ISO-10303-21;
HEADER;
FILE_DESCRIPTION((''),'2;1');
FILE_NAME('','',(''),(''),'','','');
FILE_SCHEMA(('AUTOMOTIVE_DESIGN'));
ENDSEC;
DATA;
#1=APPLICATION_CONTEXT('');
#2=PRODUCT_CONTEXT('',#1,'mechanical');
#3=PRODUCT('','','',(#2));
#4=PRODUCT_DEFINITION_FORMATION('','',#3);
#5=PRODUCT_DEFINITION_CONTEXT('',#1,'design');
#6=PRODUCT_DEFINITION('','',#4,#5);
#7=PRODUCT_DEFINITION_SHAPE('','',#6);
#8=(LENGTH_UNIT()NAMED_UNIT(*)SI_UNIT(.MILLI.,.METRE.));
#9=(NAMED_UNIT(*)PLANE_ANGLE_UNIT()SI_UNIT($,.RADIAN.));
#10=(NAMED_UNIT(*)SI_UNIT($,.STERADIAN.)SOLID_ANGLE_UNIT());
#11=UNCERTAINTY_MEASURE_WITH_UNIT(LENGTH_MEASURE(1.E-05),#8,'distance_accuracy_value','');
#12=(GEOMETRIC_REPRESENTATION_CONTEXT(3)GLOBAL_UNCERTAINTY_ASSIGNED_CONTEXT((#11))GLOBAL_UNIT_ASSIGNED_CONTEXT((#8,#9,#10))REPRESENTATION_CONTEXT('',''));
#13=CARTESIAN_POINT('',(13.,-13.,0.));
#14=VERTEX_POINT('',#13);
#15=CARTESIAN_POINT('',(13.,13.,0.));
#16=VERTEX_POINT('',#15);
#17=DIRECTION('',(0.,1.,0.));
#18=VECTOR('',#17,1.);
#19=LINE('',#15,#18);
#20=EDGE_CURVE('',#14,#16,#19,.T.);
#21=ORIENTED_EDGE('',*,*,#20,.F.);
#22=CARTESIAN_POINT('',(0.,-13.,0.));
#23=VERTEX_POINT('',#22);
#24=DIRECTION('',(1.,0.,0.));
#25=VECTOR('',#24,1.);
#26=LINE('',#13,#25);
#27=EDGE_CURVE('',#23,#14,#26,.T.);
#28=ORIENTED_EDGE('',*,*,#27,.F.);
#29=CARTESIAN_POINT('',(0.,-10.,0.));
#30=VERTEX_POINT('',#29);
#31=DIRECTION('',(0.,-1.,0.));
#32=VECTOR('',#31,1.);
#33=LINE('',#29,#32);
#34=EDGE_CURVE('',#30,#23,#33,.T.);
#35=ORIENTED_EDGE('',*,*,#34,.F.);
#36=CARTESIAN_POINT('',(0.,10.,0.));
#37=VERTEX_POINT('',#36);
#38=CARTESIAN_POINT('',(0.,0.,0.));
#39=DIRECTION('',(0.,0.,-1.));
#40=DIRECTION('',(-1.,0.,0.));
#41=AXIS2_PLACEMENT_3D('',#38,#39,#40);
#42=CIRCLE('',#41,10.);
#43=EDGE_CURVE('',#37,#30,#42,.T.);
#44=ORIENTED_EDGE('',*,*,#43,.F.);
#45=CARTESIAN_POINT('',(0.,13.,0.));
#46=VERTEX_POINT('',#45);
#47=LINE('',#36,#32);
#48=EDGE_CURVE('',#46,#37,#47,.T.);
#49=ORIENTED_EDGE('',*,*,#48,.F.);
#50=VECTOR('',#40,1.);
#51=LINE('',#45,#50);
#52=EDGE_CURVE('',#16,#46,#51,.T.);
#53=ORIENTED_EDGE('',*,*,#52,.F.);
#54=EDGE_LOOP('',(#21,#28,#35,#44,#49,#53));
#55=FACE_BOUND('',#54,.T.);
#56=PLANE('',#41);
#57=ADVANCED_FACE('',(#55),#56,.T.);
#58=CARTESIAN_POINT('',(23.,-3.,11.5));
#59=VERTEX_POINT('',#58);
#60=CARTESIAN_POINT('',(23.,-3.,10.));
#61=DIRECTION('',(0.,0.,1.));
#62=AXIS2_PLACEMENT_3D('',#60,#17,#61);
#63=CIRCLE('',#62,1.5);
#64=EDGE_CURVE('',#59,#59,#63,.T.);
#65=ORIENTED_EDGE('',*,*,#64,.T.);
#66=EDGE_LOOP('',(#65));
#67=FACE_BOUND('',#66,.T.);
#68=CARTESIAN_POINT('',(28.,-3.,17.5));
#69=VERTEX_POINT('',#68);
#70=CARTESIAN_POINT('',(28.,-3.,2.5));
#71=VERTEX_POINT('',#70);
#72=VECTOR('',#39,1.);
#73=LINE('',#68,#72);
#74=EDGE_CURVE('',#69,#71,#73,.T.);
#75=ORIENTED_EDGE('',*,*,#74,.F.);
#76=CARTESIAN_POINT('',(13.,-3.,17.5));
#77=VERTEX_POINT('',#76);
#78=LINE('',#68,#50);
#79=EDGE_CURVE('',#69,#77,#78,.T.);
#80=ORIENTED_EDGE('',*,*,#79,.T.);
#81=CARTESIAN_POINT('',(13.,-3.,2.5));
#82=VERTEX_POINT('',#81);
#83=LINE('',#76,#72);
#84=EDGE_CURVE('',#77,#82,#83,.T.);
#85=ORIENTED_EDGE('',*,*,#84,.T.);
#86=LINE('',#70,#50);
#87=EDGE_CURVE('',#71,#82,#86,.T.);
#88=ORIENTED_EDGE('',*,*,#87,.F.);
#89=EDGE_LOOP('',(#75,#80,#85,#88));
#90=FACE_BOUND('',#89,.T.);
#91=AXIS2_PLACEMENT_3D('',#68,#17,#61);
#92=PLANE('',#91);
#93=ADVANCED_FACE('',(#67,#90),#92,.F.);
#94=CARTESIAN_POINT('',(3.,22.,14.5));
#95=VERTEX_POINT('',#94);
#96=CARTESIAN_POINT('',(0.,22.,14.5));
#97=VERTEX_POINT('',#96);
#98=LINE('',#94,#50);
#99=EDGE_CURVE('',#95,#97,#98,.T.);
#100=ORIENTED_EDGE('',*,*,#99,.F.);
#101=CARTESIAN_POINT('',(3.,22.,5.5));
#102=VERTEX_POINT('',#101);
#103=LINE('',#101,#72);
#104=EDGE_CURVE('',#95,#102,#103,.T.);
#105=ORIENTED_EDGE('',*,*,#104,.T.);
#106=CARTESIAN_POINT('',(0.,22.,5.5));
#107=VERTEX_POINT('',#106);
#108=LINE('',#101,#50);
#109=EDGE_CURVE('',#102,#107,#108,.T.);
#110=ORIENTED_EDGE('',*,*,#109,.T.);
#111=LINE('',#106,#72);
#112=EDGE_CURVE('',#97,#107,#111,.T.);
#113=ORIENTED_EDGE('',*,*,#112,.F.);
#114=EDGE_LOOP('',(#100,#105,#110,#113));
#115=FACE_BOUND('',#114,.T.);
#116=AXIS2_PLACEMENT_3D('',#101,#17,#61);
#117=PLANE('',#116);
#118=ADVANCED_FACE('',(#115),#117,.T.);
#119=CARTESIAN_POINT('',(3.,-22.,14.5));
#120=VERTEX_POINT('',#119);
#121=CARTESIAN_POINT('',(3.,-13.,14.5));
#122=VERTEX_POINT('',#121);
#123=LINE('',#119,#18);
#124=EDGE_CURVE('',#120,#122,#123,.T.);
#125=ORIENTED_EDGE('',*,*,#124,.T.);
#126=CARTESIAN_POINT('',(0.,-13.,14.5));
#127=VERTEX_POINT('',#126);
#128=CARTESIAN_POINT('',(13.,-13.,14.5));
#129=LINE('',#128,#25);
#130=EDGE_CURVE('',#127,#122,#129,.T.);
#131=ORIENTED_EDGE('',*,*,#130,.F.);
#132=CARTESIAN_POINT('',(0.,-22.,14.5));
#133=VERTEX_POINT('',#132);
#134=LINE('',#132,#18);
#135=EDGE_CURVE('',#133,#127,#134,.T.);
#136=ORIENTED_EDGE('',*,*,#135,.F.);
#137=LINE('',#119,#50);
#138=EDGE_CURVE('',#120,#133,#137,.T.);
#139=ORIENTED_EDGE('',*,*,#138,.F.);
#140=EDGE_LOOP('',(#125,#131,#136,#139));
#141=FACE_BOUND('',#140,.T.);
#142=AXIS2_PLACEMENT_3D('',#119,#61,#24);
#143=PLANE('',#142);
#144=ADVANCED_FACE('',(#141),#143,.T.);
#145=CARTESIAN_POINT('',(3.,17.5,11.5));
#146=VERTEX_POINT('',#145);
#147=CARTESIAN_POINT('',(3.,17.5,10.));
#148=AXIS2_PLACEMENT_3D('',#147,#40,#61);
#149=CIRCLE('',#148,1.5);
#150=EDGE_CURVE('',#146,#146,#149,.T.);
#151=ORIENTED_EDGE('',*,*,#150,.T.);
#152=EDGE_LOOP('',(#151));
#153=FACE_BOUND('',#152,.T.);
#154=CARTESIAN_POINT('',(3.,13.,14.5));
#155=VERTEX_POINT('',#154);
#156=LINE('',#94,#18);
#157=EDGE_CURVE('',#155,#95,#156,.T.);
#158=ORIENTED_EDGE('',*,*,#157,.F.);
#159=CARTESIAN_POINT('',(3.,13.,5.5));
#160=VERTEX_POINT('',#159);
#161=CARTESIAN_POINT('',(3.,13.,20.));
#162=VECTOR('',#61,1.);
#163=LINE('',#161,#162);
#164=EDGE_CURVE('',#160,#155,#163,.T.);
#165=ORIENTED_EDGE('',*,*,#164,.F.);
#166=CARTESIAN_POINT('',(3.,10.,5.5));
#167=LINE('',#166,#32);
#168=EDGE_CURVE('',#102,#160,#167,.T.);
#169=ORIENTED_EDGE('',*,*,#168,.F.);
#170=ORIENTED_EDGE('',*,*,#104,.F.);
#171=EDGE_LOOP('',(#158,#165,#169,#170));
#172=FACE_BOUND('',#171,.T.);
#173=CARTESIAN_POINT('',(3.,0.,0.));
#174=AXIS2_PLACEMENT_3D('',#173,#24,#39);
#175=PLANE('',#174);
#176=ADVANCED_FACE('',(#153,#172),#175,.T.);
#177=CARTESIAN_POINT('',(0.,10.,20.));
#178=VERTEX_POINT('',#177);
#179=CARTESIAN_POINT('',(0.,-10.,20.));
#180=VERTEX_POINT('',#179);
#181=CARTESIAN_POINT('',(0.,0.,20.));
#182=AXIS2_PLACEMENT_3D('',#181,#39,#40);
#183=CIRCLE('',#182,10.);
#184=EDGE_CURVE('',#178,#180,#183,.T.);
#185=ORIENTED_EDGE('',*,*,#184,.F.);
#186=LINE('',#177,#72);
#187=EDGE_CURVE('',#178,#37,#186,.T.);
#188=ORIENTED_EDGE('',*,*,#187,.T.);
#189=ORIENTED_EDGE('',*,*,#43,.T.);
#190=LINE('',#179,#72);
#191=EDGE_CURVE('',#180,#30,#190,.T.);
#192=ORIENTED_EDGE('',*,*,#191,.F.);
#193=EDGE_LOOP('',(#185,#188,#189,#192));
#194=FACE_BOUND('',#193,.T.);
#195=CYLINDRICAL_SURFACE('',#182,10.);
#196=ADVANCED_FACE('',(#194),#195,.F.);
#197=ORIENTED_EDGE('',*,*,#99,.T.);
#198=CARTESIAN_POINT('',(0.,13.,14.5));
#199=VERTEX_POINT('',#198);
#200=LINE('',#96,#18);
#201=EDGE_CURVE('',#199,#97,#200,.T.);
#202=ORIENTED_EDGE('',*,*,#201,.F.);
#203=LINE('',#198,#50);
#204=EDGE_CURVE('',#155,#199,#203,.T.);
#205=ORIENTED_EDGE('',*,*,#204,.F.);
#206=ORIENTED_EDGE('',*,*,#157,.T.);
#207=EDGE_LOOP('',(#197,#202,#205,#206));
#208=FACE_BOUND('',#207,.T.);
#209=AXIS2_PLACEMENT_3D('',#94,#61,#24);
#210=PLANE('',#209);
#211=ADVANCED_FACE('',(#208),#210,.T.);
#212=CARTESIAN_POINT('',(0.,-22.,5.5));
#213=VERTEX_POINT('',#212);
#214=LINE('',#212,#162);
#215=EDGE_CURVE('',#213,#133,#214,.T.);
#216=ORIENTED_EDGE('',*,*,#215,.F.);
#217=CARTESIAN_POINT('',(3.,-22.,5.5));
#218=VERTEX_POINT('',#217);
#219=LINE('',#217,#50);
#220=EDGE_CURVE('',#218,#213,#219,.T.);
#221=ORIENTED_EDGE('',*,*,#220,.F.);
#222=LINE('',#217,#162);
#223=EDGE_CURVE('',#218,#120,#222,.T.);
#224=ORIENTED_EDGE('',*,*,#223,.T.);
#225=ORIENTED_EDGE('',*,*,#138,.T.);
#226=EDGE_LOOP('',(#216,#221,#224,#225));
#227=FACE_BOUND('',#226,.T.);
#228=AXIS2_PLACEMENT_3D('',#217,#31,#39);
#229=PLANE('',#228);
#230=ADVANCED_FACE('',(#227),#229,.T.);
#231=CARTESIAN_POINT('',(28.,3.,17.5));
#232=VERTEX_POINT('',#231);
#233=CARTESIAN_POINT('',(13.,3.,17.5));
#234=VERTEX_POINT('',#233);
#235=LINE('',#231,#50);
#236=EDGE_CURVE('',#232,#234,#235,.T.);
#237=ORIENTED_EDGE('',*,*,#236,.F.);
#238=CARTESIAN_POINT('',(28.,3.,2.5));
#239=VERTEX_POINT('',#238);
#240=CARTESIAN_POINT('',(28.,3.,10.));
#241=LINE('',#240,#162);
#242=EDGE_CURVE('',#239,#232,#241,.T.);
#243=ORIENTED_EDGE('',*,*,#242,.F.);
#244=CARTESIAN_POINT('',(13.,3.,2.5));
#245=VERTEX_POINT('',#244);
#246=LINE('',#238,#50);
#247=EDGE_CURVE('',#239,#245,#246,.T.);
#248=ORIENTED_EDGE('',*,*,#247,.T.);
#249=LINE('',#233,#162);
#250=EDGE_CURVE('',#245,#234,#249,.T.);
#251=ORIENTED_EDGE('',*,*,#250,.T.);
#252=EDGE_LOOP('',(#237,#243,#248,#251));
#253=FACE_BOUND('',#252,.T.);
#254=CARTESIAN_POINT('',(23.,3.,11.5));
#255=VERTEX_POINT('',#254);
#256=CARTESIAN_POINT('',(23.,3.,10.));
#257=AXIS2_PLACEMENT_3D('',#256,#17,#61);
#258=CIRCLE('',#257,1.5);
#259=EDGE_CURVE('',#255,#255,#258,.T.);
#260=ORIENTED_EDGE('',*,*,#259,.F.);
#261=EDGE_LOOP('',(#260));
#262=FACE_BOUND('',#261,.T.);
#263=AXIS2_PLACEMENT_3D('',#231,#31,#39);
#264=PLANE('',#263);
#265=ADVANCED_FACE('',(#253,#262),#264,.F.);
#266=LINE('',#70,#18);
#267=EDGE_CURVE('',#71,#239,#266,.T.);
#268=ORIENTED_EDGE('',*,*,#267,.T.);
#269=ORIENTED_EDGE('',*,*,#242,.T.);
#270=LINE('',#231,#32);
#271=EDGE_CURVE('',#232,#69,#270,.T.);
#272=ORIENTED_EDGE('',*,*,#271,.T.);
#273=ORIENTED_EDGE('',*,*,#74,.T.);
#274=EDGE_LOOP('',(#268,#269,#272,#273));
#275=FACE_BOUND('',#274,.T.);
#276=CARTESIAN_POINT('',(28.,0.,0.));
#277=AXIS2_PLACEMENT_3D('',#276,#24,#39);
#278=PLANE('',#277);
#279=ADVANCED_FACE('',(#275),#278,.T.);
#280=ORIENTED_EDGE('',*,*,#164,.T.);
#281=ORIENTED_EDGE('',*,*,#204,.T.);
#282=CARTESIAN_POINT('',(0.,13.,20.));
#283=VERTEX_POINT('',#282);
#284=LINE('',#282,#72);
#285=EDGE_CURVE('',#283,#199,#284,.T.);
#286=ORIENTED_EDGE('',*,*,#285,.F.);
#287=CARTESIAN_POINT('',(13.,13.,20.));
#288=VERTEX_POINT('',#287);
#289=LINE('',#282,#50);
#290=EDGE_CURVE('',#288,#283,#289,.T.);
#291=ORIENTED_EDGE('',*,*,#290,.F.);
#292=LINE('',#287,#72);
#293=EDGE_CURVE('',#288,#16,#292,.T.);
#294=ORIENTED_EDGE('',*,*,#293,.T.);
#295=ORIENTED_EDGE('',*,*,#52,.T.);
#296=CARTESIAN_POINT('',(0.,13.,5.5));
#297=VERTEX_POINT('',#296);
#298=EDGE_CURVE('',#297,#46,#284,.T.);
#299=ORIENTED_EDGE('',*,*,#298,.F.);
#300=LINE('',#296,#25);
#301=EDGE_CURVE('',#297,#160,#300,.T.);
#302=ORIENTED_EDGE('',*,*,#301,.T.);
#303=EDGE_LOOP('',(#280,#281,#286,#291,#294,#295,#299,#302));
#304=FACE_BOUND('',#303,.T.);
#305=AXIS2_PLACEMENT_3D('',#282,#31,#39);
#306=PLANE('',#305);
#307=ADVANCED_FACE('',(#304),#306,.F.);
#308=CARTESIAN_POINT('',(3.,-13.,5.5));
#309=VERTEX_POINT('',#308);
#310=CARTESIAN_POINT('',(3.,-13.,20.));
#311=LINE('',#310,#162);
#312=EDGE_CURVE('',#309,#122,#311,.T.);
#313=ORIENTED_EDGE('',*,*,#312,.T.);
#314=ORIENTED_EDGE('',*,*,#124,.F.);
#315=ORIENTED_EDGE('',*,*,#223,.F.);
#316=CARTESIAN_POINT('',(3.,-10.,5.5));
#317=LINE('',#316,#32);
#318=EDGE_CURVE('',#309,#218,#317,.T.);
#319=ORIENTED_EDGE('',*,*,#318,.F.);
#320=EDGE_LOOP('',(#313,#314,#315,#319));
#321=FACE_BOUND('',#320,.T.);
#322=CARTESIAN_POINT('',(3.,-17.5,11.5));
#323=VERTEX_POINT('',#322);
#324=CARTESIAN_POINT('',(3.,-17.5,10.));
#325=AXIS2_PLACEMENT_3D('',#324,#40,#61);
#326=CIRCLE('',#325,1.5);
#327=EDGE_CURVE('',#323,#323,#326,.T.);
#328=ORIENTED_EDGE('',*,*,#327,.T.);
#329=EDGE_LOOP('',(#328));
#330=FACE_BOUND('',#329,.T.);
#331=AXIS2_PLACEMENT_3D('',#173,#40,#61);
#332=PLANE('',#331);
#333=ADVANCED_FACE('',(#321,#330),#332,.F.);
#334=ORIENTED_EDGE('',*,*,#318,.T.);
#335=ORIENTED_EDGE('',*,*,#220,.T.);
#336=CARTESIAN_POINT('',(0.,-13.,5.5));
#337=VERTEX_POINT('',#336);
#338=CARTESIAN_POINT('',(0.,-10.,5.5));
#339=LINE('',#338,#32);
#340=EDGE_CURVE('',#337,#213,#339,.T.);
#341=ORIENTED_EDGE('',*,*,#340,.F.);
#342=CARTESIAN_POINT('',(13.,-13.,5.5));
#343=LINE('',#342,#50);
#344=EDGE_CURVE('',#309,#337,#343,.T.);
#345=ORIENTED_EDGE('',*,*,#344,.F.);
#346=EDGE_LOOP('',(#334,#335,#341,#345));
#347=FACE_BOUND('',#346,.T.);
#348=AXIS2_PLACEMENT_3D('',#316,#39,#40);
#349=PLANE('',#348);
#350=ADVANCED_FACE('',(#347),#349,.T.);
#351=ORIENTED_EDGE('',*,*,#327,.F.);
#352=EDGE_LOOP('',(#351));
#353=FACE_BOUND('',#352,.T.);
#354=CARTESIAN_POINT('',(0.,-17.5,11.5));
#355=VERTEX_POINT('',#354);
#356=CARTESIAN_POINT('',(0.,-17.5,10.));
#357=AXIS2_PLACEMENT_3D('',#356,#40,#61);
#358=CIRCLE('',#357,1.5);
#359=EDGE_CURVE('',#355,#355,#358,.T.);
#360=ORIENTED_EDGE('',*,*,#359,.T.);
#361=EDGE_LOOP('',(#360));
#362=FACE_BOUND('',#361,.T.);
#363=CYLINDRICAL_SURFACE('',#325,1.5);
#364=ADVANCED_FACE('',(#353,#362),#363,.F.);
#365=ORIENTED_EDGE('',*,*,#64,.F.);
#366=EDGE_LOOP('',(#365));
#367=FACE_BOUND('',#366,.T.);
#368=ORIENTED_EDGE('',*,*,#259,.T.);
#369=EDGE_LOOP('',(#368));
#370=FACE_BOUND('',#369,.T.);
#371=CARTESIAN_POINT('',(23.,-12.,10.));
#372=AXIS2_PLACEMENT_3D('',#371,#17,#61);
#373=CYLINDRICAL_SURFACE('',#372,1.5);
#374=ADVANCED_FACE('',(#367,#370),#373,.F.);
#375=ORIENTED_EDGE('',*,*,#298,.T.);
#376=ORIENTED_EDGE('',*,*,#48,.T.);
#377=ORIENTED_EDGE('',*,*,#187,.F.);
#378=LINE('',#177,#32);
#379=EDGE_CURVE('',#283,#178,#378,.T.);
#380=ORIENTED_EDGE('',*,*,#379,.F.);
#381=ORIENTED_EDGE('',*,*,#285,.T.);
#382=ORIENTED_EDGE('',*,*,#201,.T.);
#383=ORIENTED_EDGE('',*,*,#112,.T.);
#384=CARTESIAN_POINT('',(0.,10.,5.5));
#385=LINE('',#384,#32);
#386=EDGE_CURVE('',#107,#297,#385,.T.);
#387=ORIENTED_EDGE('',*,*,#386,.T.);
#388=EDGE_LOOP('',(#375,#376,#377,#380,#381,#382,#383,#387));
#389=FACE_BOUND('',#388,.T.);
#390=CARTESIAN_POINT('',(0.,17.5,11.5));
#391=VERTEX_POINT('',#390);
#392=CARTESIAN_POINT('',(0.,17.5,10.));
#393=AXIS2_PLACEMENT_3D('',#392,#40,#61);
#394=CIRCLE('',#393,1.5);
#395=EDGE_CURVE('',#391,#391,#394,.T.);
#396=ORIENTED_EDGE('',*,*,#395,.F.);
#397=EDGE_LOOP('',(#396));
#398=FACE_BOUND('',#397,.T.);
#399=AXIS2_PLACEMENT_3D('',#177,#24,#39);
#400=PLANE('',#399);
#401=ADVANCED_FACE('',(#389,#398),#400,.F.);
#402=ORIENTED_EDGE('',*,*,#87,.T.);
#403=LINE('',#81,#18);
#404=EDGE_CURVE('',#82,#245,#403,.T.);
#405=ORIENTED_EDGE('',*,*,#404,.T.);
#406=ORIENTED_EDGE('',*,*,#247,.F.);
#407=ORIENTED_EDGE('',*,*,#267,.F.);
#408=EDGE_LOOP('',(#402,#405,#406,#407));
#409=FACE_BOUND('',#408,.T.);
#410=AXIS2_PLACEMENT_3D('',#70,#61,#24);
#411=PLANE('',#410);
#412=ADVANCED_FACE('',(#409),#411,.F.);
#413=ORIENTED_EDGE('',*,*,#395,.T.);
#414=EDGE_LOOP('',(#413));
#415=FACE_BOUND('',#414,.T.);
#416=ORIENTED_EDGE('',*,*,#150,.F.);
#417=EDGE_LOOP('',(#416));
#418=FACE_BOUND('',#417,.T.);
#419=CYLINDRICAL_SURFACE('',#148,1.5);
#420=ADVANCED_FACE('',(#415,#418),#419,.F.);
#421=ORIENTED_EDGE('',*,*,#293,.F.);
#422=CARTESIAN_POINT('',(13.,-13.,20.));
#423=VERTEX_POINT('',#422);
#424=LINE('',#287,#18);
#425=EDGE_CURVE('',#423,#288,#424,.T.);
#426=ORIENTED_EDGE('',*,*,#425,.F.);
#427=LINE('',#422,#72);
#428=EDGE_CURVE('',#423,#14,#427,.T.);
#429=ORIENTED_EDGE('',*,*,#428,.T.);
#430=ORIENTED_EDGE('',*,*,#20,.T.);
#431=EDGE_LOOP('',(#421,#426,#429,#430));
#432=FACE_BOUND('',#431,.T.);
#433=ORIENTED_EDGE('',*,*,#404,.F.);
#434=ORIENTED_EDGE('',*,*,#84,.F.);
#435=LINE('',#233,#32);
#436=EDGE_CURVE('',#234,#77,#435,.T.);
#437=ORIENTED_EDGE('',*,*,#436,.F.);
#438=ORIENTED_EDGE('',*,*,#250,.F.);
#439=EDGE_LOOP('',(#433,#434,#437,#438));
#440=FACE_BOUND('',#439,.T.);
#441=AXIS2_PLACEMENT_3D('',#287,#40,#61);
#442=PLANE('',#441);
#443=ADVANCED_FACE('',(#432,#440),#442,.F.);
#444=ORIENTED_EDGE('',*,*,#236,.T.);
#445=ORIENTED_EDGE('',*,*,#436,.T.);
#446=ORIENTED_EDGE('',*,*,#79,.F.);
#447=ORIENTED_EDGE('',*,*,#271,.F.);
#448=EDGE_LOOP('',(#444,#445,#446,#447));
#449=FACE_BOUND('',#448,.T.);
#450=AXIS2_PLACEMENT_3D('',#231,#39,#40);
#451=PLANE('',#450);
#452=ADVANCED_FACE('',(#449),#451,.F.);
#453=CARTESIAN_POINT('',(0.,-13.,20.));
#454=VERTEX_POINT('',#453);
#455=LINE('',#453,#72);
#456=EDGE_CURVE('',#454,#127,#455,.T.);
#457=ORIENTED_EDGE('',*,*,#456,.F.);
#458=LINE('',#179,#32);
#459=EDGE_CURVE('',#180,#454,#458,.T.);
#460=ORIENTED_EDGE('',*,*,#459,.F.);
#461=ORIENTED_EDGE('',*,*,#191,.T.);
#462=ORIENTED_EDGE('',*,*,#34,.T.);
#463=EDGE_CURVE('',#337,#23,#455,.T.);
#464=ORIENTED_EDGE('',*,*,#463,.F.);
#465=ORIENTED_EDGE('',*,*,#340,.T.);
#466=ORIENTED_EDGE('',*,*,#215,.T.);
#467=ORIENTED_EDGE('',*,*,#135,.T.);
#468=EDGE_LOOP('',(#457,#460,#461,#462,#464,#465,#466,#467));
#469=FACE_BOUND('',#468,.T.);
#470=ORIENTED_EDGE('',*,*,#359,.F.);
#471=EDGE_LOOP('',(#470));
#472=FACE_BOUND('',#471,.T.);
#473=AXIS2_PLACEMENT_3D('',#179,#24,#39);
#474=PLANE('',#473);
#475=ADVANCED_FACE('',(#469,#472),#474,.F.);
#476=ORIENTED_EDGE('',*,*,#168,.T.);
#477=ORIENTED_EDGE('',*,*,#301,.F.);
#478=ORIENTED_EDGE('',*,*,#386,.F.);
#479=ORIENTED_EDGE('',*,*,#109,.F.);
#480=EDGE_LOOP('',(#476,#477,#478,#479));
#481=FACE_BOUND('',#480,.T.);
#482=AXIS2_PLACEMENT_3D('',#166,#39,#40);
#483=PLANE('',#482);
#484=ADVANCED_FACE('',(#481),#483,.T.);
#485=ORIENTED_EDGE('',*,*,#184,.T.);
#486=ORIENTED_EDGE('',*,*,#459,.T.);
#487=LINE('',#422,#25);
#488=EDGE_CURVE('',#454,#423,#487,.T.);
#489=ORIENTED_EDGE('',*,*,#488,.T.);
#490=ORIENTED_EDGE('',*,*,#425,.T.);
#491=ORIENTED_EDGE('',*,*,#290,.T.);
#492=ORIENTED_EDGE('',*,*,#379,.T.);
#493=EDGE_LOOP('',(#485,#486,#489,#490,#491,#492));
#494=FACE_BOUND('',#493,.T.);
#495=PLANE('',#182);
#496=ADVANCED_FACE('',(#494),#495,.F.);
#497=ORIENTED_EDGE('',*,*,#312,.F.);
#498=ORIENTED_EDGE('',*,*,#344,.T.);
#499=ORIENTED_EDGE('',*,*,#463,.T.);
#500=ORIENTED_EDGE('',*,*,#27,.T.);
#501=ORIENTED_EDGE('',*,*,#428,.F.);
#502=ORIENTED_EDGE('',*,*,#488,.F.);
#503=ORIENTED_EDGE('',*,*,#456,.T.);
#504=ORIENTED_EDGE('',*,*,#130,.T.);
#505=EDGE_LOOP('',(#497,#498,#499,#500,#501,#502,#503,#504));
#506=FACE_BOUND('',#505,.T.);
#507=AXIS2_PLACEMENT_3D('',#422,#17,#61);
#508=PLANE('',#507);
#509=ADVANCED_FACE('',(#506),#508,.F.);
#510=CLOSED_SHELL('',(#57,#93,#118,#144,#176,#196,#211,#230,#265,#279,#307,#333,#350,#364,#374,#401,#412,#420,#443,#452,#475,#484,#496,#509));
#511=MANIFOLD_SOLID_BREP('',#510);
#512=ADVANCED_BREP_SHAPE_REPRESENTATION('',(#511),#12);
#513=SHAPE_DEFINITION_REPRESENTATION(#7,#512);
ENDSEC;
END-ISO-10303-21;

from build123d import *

# Parameters (mm, degrees)
EXTRUDE_1_DEPTH     = 20
SKETCH_7_W          = 9
SKETCH_7_H          = 12
SKETCH_7_R          = 1.5
EXTRUDE_3_DEPTH     = 3
EXTRUDE_4_DEPTH     = 15
SKETCH_9_R          = 1.5
CUT_EXTRUDE_1_DEPTH = 15
SKETCH_6_R          = 1.5
EXTRUDE_2_DEPTH     = 3


with BuildPart() as part:
    # Эскиз1 → Бобышка-Вытянуть1 (new body)
    with BuildSketch(Plane.XY):
        with BuildLine():
            Line((0, 10), (0, 13))
            Line((0, 13), (13, 13))
            Line((13, 13), (13, -13))
            Line((13, -13), (0, -13))
            Line((0, -13), (0, -10))
            ThreePointArc((0, -10), (10, 0), (0, 10))
        make_face()
    extrude(amount=EXTRUDE_1_DEPTH)

    # Эскиз7 → Бобышка-Вытянуть3 (add)
    # profile 1 of 2: a face of its own
    with BuildSketch(Plane.ZY):
        with Locations((10, 16)):
            Rectangle(SKETCH_7_W, SKETCH_7_H)
        with Locations((10, 17.5)):
            Circle(SKETCH_7_R, mode=Mode.SUBTRACT)
    # profile 2 of 2: a face of its own
    with BuildSketch(Plane.ZY):
        with Locations((10, -16)):
            Rectangle(SKETCH_7_W, SKETCH_7_H)
        with Locations((10, -17.5)):
            Circle(SKETCH_7_R, mode=Mode.SUBTRACT)
    extrude(amount=-EXTRUDE_3_DEPTH)

    # Эскиз8 → Бобышка-Вытянуть4 (add)
    with BuildSketch(Plane(origin=(13, 0, 0), x_dir=(0, 0, -1), z_dir=(1, 0, 0))):
        Polygon((-17.5, 3), (-17.5, -3), (-2.5, -3), (-2.5, 3), (-10, 3), align=None)
    extrude(amount=EXTRUDE_4_DEPTH)

    # Эскиз9 → Вырез-Вытянуть1 (cut)
    with BuildSketch(Plane(origin=(0, 3, 0), x_dir=(1, 0, 0), z_dir=(0, 1, 0))):
        with Locations(Location((23, -10, 0), (0, 0, 270))):
            Circle(SKETCH_9_R)
    extrude(amount=-CUT_EXTRUDE_1_DEPTH, mode=Mode.SUBTRACT)

    # Эскиз6 → Бобышка-Вытянуть2 (add)
    # profile 1 of 2: a face of its own
    with BuildSketch(Plane.ZY):
        Polygon((10, 10), (5.5, 10), (5.5, 22), (14.5, 22), (14.5, 10), align=None)
        with Locations((10, 17.5)):
            Circle(SKETCH_6_R, mode=Mode.SUBTRACT)
    # profile 2 of 2: a face of its own
    with BuildSketch(Plane.ZY):
        Polygon((10, -10), (5.5, -10), (5.5, -22), (14.5, -22), (14.5, -10), align=None)
        with Locations((10, -17.5)):
            Circle(SKETCH_6_R, mode=Mode.SUBTRACT)
    extrude(amount=-EXTRUDE_2_DEPTH)


solid = part.part
